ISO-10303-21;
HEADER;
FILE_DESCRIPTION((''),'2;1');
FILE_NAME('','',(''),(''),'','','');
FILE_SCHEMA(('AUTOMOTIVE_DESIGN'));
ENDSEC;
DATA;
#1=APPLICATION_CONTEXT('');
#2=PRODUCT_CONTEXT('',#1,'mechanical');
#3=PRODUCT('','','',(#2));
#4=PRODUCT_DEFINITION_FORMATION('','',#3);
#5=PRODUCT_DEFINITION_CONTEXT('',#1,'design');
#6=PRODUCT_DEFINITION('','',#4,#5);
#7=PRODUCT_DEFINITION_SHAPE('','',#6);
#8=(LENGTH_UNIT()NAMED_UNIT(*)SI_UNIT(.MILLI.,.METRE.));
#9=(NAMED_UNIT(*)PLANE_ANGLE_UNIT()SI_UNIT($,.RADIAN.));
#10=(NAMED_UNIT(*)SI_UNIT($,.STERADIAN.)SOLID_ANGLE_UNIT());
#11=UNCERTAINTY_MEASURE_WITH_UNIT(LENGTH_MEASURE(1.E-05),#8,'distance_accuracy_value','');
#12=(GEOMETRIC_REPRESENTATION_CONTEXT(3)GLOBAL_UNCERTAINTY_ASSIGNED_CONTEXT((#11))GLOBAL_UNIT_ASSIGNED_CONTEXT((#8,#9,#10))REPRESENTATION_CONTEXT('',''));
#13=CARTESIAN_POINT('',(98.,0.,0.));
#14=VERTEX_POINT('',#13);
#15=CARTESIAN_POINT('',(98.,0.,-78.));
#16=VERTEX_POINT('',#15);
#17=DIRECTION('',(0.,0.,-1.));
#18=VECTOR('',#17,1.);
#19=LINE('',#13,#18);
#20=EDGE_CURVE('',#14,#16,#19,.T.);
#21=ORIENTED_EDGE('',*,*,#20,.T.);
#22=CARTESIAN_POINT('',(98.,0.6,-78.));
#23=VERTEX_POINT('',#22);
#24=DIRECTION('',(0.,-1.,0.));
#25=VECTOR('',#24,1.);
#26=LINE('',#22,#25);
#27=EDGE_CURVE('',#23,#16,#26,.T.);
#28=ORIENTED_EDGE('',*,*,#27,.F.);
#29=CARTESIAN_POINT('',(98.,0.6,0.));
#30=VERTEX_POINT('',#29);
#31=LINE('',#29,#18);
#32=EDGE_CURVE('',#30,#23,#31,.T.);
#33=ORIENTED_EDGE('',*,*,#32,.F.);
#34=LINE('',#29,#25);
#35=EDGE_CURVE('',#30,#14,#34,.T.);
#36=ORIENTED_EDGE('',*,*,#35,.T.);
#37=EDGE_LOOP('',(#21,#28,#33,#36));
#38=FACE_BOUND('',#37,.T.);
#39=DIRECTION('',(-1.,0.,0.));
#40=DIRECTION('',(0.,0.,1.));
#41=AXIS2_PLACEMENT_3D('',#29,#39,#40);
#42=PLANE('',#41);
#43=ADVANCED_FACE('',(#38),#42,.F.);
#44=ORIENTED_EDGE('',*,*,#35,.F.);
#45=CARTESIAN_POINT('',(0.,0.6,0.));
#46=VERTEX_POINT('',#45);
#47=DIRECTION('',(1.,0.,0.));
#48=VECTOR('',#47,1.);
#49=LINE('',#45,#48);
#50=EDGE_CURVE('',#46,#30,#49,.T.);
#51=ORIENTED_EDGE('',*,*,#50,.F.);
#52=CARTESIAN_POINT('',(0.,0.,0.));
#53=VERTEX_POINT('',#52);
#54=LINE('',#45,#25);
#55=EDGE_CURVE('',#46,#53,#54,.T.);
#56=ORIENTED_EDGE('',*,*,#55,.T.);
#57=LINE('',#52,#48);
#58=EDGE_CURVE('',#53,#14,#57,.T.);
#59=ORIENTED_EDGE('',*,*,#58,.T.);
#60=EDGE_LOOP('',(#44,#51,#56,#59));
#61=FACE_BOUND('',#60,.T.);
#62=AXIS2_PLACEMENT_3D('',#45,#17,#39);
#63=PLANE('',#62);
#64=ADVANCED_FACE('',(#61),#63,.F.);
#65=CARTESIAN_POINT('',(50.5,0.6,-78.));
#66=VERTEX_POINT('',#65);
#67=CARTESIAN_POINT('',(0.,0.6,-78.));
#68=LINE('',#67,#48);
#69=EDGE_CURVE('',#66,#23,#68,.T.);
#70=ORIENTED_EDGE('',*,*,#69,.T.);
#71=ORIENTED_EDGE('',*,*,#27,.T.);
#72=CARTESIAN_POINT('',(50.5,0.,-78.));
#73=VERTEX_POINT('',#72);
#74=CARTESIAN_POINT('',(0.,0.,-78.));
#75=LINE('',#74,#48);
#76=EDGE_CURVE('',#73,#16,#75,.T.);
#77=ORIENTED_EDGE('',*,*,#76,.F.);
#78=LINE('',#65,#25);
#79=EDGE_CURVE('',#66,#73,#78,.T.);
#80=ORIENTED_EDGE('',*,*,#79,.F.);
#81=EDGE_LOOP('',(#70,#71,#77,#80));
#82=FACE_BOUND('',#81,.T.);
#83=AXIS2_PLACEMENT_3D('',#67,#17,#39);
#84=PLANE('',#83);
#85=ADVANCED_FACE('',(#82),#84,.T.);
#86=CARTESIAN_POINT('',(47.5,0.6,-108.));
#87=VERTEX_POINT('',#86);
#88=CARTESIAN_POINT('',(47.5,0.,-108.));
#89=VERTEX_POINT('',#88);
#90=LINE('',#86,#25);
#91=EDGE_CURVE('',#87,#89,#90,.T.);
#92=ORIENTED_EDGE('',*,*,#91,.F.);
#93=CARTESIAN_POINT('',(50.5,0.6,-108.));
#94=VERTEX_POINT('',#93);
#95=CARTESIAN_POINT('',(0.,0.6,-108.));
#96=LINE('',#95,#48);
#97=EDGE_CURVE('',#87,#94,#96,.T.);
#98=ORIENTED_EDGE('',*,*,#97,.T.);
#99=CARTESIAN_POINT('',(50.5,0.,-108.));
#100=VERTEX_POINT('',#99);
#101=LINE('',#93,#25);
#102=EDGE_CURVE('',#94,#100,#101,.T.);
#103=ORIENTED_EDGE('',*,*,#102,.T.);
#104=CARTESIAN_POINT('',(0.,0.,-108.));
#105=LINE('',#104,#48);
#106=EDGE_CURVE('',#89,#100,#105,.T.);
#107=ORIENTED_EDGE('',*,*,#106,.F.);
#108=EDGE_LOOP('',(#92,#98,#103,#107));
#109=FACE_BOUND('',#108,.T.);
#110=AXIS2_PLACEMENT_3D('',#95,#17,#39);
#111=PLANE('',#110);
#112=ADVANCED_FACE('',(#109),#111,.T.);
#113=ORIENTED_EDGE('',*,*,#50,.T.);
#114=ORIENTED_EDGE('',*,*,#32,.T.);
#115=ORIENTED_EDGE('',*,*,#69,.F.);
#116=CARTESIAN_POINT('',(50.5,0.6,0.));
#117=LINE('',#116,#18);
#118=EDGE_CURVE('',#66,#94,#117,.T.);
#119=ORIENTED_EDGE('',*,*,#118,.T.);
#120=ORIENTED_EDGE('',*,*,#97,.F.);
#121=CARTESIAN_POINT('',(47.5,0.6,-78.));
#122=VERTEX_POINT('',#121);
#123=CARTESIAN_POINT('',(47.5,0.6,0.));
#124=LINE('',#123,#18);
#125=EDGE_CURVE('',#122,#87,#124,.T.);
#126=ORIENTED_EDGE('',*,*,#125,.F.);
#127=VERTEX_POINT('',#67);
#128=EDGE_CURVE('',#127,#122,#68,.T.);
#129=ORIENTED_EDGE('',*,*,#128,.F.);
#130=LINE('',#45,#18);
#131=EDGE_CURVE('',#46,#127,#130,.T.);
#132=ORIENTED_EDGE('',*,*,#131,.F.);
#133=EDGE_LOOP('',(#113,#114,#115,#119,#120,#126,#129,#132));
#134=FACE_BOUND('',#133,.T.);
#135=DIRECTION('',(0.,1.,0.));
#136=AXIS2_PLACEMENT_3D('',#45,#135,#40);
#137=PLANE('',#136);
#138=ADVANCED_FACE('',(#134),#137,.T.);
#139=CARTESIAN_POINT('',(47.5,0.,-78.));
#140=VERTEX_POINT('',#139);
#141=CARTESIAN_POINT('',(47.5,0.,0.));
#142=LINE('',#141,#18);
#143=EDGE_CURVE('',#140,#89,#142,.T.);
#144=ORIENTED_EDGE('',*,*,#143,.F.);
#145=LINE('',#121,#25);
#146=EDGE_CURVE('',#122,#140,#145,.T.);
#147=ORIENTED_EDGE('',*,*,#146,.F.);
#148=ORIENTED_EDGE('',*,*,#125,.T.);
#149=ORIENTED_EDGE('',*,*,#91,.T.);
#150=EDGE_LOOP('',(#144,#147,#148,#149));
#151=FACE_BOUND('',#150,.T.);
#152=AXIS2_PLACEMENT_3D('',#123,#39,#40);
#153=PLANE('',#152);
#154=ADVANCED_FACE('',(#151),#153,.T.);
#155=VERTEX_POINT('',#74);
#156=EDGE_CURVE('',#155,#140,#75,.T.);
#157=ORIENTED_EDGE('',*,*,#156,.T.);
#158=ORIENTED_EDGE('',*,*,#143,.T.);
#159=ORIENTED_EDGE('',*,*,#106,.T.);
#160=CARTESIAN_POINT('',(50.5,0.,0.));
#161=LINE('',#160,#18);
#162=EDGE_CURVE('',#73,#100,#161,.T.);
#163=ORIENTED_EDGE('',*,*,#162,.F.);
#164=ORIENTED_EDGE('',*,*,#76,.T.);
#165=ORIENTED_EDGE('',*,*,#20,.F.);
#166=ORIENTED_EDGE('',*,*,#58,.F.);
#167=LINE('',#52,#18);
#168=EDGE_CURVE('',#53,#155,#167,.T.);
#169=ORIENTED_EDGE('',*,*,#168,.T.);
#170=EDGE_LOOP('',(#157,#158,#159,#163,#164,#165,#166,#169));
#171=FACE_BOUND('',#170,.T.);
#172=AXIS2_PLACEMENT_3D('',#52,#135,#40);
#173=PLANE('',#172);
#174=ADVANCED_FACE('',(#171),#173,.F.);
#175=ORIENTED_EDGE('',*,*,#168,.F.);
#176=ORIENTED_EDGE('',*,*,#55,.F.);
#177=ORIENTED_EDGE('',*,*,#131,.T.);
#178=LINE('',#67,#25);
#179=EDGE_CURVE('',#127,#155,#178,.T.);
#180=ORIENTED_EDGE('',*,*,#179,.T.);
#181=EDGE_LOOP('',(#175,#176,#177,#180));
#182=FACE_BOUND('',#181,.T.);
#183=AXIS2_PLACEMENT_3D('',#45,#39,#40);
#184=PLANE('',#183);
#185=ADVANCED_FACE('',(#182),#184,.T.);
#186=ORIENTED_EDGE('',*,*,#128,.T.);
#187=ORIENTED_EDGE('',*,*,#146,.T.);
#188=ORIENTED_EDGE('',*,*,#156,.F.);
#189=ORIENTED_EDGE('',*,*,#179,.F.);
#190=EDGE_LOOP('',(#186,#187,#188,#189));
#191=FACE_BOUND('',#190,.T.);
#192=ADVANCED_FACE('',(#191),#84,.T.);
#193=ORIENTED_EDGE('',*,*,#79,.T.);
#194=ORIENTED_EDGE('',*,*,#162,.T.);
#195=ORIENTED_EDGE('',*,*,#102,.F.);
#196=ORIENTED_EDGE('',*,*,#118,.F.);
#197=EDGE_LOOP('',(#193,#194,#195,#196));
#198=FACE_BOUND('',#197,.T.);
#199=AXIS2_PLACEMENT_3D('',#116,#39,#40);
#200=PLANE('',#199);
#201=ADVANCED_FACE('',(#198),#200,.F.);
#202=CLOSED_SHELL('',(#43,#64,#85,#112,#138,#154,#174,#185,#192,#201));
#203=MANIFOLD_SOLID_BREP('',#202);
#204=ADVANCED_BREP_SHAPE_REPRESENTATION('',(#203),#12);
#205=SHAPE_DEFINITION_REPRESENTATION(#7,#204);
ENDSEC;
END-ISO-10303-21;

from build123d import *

# Parameters (mm, degrees)
SKETCH_1_W      = 3
SKETCH_1_H      = 30
EXTRUDE_1_DEPTH = 0.6


with BuildPart() as part:
    # Эскиз1 → Бобышка-Вытянуть1 (new body)
    with BuildSketch(Plane(origin=(0, 0, 0), x_dir=(1, 0, 0), z_dir=(0, 1, 0))):
        Polygon((0, 78), (0, 0), (98, 0), (98, 78), (50.5, 78), (50.5, 48), (47.5, 48), (47.5, 78), align=None)
        with Locations((49, 93)):
            Rectangle(SKETCH_1_W, SKETCH_1_H)
        with Locations((49, 63)):
            Rectangle(SKETCH_1_W, SKETCH_1_H)
    extrude(amount=EXTRUDE_1_DEPTH)


solid = part.part
